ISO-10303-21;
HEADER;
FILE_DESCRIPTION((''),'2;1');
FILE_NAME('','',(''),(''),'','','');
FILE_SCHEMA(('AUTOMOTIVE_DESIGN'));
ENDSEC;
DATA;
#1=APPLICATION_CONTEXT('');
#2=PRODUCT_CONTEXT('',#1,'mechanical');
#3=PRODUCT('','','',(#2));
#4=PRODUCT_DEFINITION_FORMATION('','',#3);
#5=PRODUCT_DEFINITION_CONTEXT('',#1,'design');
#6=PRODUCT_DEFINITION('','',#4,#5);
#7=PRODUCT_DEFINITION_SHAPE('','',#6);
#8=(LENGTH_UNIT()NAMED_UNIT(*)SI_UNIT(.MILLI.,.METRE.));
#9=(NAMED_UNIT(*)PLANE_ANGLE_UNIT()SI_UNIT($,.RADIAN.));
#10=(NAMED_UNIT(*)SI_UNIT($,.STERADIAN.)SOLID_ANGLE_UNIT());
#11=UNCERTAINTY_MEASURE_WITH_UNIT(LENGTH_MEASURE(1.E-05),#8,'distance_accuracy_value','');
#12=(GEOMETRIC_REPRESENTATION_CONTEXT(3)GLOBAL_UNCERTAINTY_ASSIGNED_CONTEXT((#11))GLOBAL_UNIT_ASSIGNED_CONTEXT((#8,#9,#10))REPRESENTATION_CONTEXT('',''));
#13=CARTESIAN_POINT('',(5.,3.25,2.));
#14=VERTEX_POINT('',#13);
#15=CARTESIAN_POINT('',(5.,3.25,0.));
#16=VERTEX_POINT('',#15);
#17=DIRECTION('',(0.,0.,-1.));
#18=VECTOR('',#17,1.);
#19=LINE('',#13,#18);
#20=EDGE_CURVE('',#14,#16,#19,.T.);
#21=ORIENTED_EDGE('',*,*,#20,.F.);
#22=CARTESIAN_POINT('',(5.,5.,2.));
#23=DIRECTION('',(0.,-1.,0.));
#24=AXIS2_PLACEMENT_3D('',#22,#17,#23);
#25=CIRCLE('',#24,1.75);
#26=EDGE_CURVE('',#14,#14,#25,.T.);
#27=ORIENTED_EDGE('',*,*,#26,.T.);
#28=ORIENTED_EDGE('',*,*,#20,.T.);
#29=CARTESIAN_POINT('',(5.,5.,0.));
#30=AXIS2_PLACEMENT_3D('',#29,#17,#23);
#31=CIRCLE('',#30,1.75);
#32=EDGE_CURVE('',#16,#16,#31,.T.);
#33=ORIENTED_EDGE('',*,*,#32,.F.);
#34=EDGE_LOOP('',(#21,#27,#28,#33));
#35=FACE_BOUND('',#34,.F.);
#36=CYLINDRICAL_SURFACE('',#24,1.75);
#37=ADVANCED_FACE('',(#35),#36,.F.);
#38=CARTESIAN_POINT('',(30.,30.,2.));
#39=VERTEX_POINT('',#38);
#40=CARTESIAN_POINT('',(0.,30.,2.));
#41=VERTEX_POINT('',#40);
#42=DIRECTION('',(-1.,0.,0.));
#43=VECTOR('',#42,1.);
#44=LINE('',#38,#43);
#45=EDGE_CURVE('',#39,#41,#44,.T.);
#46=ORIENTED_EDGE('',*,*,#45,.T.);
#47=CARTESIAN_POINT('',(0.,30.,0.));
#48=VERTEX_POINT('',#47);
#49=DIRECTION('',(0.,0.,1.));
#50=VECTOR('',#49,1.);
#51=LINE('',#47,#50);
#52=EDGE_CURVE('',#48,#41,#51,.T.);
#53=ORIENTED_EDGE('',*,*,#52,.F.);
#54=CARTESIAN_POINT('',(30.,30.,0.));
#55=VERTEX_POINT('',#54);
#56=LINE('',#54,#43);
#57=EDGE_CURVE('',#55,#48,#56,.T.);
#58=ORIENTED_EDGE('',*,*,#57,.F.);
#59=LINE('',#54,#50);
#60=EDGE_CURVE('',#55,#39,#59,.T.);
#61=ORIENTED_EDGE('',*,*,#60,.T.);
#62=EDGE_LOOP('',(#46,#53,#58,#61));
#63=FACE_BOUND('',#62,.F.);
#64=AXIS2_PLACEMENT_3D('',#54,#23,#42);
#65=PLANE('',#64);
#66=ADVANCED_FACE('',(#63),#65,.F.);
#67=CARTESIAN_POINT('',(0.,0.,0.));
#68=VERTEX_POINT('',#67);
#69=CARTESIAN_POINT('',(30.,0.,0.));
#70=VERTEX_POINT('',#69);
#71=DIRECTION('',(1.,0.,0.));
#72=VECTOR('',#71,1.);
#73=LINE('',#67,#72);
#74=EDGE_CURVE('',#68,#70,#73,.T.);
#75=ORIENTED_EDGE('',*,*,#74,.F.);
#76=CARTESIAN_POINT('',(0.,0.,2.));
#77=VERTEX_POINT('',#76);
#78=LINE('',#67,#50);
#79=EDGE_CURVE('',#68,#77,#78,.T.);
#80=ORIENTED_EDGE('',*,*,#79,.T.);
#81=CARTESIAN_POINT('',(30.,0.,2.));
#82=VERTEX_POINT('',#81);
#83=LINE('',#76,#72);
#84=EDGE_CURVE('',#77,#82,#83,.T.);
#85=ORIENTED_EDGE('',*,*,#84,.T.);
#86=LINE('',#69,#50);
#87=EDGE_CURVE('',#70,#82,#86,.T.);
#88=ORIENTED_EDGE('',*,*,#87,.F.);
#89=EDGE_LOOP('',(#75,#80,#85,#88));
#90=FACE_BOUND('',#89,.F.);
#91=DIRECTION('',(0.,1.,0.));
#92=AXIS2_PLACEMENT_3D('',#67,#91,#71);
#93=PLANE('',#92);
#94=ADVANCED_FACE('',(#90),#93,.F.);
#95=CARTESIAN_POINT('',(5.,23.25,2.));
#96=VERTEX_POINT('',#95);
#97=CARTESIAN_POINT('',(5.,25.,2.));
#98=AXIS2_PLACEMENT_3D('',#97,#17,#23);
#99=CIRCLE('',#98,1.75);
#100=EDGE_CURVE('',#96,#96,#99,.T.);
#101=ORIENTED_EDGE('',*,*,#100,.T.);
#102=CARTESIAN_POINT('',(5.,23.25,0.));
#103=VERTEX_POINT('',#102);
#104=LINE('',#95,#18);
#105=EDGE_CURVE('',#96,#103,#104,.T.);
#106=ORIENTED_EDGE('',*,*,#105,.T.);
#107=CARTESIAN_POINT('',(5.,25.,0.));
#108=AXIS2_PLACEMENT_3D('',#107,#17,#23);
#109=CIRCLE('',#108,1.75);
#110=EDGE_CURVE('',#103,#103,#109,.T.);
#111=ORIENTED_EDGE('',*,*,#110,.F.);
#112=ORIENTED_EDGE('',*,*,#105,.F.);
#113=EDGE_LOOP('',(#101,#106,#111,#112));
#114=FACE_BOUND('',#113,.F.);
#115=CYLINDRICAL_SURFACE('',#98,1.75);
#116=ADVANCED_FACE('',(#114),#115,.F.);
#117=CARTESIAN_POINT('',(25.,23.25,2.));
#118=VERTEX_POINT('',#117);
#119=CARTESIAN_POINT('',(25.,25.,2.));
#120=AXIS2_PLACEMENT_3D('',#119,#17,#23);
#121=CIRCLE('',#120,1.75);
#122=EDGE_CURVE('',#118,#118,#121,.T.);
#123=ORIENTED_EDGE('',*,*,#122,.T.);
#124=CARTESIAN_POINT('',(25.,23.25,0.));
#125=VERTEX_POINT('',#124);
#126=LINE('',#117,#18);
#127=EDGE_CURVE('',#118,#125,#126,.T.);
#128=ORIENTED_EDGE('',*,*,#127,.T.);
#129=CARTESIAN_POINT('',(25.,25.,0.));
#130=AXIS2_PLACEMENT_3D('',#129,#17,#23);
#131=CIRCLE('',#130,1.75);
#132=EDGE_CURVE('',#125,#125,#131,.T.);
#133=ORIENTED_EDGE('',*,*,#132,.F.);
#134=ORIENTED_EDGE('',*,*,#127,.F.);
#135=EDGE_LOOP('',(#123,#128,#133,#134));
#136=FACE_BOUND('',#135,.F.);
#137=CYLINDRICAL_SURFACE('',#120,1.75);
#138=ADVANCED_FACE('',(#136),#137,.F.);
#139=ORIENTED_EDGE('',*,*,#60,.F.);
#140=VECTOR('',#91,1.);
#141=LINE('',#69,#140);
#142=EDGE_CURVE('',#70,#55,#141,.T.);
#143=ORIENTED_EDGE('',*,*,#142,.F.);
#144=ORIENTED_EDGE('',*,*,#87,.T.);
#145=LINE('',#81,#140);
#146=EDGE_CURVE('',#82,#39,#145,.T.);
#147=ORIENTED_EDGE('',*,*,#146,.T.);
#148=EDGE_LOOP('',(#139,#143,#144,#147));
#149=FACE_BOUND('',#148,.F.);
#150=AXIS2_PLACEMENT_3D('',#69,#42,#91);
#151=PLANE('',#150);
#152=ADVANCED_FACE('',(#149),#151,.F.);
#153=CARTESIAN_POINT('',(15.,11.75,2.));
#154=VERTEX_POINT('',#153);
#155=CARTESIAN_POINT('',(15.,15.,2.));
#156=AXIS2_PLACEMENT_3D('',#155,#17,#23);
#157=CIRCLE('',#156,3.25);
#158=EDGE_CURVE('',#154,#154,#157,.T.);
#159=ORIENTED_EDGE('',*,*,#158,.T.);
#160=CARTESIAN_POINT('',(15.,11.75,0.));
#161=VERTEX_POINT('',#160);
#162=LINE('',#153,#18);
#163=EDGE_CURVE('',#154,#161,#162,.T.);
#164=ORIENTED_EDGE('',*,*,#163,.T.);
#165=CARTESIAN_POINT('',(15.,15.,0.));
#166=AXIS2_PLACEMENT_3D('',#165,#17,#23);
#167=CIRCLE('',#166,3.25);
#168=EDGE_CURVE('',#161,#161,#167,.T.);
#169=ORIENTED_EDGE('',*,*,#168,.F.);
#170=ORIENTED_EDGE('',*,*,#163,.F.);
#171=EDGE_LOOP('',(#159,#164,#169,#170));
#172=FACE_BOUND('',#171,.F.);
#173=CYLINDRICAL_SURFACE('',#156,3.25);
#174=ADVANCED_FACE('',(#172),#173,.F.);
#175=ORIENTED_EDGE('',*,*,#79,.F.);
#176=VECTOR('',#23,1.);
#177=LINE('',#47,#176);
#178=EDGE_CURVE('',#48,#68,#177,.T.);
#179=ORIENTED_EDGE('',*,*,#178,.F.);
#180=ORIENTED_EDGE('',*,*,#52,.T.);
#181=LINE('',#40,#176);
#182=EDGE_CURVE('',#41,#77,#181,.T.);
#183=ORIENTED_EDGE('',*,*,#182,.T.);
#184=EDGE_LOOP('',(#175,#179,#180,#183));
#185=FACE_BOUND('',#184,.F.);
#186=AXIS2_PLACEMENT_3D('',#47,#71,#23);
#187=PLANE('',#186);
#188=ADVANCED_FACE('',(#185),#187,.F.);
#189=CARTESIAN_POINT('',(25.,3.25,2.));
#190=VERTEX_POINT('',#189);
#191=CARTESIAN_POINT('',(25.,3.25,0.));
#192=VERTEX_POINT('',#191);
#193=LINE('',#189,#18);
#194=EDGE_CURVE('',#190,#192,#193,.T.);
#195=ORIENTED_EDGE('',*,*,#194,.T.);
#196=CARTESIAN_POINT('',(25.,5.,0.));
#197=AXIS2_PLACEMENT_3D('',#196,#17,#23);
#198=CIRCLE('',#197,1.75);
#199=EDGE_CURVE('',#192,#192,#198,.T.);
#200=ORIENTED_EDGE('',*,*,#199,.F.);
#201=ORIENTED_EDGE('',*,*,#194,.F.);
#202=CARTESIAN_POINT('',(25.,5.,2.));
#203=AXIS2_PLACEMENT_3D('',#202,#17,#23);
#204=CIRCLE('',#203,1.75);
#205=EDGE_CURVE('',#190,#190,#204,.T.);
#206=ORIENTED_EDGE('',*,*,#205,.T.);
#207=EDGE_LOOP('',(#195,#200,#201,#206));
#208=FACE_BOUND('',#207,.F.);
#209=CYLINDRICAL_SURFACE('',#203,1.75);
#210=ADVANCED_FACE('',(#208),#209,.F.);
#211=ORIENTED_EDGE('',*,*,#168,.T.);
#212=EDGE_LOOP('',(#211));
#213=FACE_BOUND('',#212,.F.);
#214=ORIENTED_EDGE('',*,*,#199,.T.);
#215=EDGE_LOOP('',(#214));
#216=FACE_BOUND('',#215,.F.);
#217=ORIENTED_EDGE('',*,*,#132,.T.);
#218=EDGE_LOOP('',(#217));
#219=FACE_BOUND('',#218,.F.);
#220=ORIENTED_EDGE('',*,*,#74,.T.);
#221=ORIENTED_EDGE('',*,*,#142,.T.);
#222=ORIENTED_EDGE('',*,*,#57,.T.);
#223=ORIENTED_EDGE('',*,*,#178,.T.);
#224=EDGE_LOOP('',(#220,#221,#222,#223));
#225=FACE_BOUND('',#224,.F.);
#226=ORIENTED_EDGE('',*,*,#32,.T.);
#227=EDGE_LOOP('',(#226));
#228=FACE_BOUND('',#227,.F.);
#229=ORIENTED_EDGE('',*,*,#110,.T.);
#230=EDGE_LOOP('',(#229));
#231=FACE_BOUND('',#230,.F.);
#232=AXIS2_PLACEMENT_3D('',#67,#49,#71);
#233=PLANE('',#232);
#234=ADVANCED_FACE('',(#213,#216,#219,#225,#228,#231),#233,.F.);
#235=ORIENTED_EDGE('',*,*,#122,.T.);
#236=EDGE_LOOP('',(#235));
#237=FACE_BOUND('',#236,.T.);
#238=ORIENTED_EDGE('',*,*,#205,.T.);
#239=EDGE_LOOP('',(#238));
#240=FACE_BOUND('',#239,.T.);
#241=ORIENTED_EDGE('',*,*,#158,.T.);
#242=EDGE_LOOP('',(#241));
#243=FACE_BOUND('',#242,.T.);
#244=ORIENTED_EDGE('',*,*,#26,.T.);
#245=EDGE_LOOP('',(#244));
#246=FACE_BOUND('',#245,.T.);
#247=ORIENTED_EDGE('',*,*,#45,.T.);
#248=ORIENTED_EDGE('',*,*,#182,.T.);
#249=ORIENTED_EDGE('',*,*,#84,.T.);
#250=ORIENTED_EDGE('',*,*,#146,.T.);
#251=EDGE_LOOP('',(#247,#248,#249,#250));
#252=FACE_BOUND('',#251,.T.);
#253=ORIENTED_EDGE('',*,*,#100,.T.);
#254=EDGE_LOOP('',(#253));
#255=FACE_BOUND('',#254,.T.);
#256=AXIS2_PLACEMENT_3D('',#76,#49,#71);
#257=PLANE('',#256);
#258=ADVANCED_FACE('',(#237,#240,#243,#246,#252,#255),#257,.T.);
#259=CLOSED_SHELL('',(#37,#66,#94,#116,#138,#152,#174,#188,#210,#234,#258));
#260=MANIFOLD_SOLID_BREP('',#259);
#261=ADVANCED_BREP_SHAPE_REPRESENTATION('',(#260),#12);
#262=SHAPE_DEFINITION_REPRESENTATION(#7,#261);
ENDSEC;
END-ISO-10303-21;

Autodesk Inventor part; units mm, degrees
ref_plane "YZ Plane" through (0, 0, 0) normal (1, 0, 0) x (0, 1, 0)
ref_plane "XZ Plane" through (0, 0, 0) normal (0, 1, 0) x (-1, 0, 0)
ref_plane "XY Plane" through (0, 0, 0) normal (0, 0, 1) x (1, 0, 0)
sketch "スケッチ1" plane through (0, 0, 0) normal (0, 0, 1) x (1, 0, 0)
  line L0 (0, 0) -> (30, 0)
  line L1 (30, 0) -> (30, 30)
  line L2 (30, 30) -> (0, 30)
  line L3 (0, 30) -> (0, 0)
  dimension "d0" = 30
  dimension "d1" = 30
extrude "押し出し1" add sketch "スケッチ1" along normal blind 2
sketch "スケッチ2" plane through (0, 0, 2) normal (0, 0, 1) x (1, 0, 0)
  line L0 (30, 0) -> (30, 30) projected
  line L1 (30, 30) -> (0, 30) projected
  line L2 (0, 30) -> (0, 0) projected
  line L3 (0, 0) -> (30, 0) projected
  point P0 (25, 25)
  point P1 (5, 25)
  point P2 (5, 5)
  point P3 (25, 5)
  dimension "d4" = 5
  dimension "d5" = 5
  dimension "d6" = 5
  dimension "d7" = 5
  dimension "d8" = 5
  dimension "d9" = 5
  dimension "d10" = 5
  dimension "d11" = 5
hole "穴1" at (25, 25, 2) at (5, 25, 2) at (5, 5, 2) at (25, 5, 2) direction (0, 0, -1) diameter 3.5 end through all
sketch "スケッチ3" plane through (0, 0, 2) normal (0, 0, 1) x (1, 0, 0)
  line L0 (30, 0) -> (30, 30) projected
  line L1 (30, 30) -> (0, 30) projected
  point P0 (0, 0)
  point P1 (15, 15)
  dimension "d19" = 15
  dimension "d20" = 15
hole "穴2" at (15, 15, 2) direction (0, 0, -1) diameter 6.5 end through all
properties part number "3SR15_ポテンショメータ固定パーツ"
